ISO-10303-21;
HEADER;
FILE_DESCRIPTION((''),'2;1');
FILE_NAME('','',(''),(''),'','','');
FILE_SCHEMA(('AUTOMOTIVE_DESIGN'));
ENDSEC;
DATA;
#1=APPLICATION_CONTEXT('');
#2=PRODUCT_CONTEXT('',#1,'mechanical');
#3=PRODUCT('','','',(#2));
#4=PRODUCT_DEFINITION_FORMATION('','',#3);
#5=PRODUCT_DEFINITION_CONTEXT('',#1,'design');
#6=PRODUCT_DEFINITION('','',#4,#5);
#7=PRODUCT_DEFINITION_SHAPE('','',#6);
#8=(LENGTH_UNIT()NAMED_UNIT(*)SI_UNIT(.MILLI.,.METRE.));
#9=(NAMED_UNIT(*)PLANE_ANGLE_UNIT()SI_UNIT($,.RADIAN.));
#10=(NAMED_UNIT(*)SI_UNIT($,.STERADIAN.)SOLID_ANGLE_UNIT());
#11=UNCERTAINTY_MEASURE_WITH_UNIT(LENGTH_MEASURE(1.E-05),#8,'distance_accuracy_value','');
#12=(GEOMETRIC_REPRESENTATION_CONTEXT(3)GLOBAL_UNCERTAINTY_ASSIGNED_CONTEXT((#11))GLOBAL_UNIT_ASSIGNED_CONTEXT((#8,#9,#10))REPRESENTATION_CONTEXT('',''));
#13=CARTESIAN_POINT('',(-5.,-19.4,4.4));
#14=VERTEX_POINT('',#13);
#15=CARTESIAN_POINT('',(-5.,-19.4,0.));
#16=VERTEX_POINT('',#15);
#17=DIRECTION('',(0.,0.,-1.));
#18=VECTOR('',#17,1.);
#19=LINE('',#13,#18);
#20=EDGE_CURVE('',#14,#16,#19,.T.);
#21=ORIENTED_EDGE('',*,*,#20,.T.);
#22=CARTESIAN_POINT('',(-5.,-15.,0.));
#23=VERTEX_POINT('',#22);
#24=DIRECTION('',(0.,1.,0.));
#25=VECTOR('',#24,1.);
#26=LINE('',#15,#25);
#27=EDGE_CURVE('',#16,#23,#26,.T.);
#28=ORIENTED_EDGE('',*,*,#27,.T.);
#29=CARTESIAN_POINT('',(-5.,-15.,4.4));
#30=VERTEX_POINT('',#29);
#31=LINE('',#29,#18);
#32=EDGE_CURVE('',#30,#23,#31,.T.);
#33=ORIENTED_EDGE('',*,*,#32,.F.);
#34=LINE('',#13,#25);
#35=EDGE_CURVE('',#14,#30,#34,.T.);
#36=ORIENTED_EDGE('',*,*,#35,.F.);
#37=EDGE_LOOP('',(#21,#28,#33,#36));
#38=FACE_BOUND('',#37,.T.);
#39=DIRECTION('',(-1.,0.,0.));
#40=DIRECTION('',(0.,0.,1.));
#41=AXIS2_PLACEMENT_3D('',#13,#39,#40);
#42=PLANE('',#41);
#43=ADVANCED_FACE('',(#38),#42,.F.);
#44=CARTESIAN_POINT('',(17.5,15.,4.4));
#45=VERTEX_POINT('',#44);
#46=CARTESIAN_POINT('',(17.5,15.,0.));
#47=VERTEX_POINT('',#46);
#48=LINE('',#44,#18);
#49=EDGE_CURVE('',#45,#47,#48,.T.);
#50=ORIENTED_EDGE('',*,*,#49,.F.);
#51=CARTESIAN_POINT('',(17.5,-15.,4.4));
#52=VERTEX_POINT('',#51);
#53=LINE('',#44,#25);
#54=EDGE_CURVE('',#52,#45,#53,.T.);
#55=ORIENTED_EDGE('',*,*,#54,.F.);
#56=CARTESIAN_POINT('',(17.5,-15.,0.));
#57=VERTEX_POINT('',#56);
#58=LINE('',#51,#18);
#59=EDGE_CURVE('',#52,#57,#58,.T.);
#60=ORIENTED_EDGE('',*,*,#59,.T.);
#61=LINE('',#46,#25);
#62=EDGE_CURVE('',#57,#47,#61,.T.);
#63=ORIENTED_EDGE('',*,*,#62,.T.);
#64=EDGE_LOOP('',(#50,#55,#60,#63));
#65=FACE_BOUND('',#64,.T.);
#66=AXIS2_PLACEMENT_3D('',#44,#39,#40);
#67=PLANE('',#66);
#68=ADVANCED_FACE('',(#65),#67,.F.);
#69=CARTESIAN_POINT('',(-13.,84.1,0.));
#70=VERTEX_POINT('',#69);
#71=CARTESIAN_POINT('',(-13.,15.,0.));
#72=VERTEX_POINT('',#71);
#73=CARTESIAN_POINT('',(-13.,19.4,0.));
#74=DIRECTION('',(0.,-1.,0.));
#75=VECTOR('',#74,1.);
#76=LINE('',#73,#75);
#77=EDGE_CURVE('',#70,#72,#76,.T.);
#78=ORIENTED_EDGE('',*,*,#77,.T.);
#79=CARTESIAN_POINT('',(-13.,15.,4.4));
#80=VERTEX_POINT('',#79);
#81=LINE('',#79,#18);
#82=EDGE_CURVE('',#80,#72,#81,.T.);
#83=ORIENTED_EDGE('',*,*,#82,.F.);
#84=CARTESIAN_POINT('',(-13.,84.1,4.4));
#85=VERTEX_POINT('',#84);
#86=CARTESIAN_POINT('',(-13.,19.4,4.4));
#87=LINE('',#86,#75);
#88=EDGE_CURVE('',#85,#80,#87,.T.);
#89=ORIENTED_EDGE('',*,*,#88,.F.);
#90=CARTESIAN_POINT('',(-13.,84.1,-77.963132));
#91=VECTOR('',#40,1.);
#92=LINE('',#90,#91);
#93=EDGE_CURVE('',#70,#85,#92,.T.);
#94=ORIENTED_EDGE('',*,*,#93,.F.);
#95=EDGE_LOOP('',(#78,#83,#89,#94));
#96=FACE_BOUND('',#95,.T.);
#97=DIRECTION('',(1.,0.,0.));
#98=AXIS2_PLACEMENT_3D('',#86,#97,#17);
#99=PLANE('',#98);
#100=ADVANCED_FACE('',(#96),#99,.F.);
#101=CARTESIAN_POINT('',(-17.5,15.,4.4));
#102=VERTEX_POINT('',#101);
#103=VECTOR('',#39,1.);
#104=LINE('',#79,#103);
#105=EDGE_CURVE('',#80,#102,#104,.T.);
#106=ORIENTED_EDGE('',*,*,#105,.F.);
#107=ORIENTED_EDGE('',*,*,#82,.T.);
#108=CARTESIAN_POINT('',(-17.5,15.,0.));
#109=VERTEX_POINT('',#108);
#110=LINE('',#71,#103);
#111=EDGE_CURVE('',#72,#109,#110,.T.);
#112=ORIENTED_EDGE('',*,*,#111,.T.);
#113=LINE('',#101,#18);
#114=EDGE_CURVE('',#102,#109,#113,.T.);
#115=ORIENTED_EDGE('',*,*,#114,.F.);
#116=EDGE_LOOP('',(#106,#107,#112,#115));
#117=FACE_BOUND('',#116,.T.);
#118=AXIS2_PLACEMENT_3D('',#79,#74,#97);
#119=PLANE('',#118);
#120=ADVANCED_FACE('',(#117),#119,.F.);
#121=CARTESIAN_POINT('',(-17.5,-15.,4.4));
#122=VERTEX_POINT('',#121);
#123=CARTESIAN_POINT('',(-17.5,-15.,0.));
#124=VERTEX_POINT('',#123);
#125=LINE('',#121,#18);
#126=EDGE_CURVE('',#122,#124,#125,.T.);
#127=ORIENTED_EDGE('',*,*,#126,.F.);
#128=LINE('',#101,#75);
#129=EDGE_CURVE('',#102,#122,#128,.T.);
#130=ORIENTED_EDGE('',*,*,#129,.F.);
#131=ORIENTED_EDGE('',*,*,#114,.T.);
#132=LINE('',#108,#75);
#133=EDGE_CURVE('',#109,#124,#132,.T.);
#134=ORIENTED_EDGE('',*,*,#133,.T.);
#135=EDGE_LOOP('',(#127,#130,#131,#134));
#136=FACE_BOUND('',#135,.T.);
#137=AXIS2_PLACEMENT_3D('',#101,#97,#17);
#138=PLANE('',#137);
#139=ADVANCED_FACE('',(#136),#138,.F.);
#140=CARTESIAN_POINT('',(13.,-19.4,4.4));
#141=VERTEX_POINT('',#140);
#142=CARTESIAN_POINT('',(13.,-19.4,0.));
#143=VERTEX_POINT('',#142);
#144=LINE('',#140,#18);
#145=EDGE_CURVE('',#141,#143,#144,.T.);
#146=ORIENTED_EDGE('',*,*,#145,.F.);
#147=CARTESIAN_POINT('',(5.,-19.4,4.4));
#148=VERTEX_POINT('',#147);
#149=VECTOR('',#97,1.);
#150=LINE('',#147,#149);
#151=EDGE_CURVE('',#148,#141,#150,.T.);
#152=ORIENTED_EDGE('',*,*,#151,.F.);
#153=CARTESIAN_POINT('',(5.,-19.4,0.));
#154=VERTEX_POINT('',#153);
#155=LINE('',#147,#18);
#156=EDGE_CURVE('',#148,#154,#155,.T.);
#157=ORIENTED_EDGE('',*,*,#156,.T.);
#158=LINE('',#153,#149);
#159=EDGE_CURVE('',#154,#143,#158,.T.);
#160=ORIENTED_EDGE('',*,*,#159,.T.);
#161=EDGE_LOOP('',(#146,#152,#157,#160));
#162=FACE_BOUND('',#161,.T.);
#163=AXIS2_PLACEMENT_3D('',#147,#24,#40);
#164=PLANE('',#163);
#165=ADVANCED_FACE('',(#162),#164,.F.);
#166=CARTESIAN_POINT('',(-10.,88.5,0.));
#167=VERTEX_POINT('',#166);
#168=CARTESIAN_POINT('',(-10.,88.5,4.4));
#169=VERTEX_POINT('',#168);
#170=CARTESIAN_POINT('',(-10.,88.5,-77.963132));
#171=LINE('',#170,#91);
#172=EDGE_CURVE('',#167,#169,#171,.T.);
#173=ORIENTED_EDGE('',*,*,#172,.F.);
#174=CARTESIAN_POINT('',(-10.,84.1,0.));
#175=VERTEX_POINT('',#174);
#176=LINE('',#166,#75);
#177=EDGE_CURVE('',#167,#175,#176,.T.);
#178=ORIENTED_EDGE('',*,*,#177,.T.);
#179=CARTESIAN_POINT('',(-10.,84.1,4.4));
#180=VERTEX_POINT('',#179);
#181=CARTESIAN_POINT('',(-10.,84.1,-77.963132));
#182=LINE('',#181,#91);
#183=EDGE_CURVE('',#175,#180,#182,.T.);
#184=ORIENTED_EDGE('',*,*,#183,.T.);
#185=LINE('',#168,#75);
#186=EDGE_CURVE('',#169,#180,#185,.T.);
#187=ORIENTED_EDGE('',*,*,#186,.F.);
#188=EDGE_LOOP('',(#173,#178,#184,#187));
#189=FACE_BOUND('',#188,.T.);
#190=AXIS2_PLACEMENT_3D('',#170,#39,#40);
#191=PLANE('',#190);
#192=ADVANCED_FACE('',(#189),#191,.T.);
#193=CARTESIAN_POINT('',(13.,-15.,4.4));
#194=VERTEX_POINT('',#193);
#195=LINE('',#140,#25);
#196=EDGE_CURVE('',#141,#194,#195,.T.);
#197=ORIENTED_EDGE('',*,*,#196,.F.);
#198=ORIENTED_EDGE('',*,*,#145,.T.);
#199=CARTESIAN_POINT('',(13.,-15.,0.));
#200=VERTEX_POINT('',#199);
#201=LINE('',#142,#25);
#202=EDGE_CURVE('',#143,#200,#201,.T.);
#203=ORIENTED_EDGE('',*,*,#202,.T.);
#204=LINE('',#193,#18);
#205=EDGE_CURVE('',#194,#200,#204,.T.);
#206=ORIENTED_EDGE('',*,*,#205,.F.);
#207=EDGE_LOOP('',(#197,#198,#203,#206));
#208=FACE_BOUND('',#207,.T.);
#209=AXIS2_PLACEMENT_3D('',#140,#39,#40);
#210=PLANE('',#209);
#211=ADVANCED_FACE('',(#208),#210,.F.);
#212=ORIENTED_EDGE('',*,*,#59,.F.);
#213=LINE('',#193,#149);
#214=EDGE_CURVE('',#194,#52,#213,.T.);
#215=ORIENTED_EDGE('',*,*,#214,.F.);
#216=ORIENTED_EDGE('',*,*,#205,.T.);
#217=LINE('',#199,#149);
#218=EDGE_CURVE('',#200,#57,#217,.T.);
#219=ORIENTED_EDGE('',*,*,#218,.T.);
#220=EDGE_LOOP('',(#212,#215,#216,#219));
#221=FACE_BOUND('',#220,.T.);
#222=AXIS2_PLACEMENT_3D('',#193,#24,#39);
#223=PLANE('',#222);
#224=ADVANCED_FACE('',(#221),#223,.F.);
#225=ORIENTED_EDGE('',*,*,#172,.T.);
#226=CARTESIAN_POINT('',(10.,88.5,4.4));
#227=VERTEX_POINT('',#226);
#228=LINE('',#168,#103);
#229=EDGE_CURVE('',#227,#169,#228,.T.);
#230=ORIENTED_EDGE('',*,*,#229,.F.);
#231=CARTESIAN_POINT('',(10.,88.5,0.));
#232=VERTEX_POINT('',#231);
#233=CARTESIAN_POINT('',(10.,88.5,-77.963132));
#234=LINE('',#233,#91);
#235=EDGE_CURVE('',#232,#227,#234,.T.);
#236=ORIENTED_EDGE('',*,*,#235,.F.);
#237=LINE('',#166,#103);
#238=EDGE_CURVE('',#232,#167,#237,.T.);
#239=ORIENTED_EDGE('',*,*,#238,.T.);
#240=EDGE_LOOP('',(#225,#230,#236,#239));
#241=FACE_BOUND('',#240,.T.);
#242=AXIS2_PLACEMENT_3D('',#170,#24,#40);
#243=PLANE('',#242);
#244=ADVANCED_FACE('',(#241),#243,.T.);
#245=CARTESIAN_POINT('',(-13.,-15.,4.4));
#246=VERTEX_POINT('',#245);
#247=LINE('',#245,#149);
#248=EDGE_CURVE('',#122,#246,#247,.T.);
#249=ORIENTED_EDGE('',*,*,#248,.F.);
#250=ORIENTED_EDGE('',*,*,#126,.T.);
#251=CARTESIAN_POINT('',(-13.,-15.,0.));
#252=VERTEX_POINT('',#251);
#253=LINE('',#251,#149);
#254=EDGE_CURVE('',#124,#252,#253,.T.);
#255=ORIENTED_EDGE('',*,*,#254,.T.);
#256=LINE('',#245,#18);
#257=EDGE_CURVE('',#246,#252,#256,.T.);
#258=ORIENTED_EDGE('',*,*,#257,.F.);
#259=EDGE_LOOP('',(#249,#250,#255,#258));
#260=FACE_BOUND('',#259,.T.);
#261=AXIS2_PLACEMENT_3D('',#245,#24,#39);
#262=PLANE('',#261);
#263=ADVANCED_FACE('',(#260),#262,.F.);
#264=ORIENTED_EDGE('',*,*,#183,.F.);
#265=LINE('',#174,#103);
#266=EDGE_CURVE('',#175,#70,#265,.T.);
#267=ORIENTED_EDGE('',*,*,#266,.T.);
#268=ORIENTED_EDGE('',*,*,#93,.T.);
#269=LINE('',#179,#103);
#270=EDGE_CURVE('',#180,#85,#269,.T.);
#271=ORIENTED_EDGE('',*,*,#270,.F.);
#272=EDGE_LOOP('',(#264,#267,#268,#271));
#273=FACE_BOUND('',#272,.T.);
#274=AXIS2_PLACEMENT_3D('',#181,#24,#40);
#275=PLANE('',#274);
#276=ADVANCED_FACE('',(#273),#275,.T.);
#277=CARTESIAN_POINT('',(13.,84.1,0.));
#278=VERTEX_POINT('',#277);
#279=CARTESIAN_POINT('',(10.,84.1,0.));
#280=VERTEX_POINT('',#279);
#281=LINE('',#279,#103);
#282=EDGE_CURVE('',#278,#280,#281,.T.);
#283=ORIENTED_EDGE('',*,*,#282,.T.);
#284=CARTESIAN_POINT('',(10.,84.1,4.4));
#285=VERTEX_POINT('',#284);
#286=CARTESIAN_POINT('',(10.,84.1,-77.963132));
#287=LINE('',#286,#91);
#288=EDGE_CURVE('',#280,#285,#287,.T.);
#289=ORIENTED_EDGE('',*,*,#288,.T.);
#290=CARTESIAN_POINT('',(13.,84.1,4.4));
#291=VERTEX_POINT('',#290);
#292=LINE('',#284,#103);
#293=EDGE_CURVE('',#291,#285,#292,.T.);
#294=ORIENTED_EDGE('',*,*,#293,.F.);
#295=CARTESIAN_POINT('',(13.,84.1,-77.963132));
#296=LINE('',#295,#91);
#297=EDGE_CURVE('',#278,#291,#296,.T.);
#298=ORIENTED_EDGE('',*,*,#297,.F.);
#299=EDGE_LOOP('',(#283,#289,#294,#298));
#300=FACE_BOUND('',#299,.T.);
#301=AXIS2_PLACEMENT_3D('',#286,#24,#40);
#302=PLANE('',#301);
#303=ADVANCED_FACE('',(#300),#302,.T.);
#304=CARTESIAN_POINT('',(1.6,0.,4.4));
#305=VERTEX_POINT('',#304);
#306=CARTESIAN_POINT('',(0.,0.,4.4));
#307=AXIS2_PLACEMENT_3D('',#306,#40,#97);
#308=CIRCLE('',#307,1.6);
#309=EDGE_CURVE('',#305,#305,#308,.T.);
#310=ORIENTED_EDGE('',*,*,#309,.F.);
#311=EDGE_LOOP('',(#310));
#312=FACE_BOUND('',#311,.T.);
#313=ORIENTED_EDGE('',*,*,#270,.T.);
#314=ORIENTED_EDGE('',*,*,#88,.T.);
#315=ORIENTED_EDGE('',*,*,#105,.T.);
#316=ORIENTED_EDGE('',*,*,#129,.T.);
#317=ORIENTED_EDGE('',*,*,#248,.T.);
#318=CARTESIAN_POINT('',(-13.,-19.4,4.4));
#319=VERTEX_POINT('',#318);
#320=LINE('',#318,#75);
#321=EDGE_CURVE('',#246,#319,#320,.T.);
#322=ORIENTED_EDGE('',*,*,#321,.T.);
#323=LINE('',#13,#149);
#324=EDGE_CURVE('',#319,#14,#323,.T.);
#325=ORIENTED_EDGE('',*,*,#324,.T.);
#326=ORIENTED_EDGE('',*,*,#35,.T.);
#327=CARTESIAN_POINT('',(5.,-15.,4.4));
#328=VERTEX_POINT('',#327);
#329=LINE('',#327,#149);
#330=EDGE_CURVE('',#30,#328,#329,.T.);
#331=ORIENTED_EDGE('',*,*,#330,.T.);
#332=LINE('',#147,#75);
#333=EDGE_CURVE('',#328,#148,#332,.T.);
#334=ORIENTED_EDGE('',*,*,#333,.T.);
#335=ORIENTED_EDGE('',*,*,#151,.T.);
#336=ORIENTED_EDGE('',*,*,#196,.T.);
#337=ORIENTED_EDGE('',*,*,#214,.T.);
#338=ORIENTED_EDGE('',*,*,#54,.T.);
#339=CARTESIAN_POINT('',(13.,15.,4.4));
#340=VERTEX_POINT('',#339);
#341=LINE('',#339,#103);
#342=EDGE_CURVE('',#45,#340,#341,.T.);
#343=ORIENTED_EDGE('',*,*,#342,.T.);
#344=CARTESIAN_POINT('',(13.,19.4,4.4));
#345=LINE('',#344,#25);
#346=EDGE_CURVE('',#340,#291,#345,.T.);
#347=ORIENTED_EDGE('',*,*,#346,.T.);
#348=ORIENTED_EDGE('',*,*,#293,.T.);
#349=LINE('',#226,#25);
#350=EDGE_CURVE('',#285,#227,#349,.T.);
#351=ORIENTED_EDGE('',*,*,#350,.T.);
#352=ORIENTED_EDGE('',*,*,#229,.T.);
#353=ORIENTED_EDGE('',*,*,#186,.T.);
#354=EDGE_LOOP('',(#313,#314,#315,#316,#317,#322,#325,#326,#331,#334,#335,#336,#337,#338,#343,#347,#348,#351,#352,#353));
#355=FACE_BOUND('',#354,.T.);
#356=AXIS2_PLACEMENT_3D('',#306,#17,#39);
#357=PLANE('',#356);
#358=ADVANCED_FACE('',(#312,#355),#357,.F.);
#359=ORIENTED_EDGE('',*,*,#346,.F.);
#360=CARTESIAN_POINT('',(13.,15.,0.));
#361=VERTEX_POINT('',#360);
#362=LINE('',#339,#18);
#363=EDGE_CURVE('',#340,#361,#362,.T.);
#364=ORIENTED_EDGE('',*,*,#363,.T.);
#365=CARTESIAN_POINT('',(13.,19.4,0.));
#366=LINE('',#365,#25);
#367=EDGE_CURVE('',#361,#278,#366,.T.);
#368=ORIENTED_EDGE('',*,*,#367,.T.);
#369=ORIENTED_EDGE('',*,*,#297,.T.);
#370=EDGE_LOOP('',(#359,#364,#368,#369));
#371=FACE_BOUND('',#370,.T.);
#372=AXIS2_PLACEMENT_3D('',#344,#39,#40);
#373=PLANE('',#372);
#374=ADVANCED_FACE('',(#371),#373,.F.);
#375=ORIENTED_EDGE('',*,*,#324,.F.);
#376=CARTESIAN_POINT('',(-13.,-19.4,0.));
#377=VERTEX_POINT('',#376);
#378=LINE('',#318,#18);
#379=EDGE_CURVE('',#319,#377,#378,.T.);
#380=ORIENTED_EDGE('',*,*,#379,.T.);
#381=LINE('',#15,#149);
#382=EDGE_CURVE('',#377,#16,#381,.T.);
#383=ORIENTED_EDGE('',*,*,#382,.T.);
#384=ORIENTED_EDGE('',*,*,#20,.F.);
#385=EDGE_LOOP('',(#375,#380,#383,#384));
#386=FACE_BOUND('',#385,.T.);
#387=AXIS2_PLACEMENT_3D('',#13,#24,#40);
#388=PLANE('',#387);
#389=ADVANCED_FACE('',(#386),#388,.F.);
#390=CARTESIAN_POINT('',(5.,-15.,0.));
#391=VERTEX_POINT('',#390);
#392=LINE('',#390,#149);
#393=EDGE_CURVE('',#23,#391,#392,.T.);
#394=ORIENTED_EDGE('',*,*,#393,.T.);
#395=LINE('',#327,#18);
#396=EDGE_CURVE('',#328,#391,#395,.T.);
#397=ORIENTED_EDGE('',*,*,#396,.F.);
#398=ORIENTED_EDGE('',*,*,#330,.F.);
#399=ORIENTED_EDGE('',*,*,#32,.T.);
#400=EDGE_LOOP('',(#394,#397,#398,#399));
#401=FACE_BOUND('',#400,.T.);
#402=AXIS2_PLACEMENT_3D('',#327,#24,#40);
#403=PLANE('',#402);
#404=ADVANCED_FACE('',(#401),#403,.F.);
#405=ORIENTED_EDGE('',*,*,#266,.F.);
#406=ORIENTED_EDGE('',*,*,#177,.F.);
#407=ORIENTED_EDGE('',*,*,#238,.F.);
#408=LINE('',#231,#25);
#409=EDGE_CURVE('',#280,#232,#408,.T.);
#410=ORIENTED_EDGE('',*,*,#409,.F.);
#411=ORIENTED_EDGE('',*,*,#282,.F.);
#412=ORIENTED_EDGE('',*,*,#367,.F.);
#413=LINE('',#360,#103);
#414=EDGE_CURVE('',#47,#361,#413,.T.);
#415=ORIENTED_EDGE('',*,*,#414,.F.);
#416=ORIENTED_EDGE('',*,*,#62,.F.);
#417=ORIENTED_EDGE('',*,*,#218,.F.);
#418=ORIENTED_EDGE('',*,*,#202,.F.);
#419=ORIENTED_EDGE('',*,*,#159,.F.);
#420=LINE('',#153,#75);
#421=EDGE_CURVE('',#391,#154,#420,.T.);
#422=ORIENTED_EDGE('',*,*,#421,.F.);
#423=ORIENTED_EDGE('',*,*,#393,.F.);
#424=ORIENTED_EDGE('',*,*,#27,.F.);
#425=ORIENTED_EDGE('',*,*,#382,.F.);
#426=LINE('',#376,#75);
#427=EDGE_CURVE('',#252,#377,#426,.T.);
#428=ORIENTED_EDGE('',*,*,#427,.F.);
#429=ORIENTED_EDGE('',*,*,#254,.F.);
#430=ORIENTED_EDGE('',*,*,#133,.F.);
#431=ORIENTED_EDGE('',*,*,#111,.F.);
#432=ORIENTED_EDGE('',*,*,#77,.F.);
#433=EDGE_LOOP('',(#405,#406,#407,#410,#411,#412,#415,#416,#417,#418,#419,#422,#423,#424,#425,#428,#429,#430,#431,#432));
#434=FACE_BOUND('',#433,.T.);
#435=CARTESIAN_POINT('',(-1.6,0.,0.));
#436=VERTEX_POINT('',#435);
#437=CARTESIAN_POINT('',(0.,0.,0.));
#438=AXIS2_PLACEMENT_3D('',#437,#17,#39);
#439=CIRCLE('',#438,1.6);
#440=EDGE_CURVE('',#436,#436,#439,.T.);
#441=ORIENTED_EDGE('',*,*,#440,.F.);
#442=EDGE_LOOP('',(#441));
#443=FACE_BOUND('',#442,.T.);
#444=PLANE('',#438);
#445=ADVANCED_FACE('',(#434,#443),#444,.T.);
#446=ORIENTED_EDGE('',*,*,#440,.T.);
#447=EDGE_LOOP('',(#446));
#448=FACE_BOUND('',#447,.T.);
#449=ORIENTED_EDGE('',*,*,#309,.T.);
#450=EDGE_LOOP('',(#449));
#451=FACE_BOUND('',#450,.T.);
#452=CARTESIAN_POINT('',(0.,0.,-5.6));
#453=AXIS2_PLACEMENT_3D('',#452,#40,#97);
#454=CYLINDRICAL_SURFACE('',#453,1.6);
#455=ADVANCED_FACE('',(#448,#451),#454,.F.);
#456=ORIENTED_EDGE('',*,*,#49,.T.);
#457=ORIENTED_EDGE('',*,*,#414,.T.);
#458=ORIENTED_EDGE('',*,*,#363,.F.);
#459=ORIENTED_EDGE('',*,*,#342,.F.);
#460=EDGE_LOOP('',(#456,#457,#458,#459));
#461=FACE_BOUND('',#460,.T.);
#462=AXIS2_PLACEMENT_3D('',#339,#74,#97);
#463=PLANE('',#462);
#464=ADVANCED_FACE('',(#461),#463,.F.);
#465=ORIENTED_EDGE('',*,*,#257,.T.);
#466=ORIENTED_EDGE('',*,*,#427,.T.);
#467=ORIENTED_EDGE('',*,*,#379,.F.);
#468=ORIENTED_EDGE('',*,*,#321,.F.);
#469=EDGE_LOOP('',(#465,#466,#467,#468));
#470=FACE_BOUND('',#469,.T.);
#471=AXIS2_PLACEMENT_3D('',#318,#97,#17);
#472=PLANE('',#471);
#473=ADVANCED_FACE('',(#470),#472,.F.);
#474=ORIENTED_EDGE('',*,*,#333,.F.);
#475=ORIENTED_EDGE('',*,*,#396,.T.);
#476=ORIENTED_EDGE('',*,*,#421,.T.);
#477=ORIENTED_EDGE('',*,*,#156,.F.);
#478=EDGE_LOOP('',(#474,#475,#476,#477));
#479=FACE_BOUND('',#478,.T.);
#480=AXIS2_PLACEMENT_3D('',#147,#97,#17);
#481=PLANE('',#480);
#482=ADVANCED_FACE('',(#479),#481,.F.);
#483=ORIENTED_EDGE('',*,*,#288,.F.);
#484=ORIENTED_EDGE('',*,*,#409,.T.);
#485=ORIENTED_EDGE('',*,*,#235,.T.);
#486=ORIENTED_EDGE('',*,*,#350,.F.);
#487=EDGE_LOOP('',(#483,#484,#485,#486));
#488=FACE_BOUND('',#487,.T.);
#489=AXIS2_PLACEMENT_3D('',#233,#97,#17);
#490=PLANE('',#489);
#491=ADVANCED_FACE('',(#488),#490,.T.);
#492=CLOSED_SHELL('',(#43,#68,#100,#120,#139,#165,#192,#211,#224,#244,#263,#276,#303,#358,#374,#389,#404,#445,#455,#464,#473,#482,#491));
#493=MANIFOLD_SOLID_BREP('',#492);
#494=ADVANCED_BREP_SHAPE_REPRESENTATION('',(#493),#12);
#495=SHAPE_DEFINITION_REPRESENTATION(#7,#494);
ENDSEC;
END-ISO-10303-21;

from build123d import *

# Parameters (mm, degrees)
EXTRUDE_1_DEPTH     = 4.4
SKETCH_2_R          = 1.6
CUT_EXTRUDE_1_DEPTH = 10
EXTRUDE_2_DEPTH     = 4.4


with BuildPart() as part:
    # 草图1 → 凸台-拉伸1 (new body)
    with BuildSketch(Plane.XY):
        Polygon((5, 19.4), (5, 15), (-5, 15), (-5, 19.4), (-13, 19.4), (-13, 15), (-17.5, 15), (-17.5, -15), (-13, -15), (-13, -19.4), (-5, -19.4), (-5, -15), (5, -15), (5, -19.4), (13, -19.4), (13, -15), (17.5, -15), (17.5, 15), (13, 15), (13, 19.4), align=None)
    extrude(amount=EXTRUDE_1_DEPTH)

    # 草图2 → 切除-拉伸1 (cut)
    with BuildSketch(Plane.XY.offset(4.4)):
        Circle(SKETCH_2_R)
    extrude(amount=-CUT_EXTRUDE_1_DEPTH, mode=Mode.SUBTRACT)

    # 草图3 → 凸台-拉伸2 (add)
    with BuildSketch(Plane.XY.offset(4.4)):
        Polygon((10, 88.5), (10, 84.1), (13, 84.1), (13, 15), (-13, 15), (-13, 84.1), (-10, 84.1), (-10, 88.5), align=None)
    extrude(amount=-EXTRUDE_2_DEPTH)


solid = part.part
